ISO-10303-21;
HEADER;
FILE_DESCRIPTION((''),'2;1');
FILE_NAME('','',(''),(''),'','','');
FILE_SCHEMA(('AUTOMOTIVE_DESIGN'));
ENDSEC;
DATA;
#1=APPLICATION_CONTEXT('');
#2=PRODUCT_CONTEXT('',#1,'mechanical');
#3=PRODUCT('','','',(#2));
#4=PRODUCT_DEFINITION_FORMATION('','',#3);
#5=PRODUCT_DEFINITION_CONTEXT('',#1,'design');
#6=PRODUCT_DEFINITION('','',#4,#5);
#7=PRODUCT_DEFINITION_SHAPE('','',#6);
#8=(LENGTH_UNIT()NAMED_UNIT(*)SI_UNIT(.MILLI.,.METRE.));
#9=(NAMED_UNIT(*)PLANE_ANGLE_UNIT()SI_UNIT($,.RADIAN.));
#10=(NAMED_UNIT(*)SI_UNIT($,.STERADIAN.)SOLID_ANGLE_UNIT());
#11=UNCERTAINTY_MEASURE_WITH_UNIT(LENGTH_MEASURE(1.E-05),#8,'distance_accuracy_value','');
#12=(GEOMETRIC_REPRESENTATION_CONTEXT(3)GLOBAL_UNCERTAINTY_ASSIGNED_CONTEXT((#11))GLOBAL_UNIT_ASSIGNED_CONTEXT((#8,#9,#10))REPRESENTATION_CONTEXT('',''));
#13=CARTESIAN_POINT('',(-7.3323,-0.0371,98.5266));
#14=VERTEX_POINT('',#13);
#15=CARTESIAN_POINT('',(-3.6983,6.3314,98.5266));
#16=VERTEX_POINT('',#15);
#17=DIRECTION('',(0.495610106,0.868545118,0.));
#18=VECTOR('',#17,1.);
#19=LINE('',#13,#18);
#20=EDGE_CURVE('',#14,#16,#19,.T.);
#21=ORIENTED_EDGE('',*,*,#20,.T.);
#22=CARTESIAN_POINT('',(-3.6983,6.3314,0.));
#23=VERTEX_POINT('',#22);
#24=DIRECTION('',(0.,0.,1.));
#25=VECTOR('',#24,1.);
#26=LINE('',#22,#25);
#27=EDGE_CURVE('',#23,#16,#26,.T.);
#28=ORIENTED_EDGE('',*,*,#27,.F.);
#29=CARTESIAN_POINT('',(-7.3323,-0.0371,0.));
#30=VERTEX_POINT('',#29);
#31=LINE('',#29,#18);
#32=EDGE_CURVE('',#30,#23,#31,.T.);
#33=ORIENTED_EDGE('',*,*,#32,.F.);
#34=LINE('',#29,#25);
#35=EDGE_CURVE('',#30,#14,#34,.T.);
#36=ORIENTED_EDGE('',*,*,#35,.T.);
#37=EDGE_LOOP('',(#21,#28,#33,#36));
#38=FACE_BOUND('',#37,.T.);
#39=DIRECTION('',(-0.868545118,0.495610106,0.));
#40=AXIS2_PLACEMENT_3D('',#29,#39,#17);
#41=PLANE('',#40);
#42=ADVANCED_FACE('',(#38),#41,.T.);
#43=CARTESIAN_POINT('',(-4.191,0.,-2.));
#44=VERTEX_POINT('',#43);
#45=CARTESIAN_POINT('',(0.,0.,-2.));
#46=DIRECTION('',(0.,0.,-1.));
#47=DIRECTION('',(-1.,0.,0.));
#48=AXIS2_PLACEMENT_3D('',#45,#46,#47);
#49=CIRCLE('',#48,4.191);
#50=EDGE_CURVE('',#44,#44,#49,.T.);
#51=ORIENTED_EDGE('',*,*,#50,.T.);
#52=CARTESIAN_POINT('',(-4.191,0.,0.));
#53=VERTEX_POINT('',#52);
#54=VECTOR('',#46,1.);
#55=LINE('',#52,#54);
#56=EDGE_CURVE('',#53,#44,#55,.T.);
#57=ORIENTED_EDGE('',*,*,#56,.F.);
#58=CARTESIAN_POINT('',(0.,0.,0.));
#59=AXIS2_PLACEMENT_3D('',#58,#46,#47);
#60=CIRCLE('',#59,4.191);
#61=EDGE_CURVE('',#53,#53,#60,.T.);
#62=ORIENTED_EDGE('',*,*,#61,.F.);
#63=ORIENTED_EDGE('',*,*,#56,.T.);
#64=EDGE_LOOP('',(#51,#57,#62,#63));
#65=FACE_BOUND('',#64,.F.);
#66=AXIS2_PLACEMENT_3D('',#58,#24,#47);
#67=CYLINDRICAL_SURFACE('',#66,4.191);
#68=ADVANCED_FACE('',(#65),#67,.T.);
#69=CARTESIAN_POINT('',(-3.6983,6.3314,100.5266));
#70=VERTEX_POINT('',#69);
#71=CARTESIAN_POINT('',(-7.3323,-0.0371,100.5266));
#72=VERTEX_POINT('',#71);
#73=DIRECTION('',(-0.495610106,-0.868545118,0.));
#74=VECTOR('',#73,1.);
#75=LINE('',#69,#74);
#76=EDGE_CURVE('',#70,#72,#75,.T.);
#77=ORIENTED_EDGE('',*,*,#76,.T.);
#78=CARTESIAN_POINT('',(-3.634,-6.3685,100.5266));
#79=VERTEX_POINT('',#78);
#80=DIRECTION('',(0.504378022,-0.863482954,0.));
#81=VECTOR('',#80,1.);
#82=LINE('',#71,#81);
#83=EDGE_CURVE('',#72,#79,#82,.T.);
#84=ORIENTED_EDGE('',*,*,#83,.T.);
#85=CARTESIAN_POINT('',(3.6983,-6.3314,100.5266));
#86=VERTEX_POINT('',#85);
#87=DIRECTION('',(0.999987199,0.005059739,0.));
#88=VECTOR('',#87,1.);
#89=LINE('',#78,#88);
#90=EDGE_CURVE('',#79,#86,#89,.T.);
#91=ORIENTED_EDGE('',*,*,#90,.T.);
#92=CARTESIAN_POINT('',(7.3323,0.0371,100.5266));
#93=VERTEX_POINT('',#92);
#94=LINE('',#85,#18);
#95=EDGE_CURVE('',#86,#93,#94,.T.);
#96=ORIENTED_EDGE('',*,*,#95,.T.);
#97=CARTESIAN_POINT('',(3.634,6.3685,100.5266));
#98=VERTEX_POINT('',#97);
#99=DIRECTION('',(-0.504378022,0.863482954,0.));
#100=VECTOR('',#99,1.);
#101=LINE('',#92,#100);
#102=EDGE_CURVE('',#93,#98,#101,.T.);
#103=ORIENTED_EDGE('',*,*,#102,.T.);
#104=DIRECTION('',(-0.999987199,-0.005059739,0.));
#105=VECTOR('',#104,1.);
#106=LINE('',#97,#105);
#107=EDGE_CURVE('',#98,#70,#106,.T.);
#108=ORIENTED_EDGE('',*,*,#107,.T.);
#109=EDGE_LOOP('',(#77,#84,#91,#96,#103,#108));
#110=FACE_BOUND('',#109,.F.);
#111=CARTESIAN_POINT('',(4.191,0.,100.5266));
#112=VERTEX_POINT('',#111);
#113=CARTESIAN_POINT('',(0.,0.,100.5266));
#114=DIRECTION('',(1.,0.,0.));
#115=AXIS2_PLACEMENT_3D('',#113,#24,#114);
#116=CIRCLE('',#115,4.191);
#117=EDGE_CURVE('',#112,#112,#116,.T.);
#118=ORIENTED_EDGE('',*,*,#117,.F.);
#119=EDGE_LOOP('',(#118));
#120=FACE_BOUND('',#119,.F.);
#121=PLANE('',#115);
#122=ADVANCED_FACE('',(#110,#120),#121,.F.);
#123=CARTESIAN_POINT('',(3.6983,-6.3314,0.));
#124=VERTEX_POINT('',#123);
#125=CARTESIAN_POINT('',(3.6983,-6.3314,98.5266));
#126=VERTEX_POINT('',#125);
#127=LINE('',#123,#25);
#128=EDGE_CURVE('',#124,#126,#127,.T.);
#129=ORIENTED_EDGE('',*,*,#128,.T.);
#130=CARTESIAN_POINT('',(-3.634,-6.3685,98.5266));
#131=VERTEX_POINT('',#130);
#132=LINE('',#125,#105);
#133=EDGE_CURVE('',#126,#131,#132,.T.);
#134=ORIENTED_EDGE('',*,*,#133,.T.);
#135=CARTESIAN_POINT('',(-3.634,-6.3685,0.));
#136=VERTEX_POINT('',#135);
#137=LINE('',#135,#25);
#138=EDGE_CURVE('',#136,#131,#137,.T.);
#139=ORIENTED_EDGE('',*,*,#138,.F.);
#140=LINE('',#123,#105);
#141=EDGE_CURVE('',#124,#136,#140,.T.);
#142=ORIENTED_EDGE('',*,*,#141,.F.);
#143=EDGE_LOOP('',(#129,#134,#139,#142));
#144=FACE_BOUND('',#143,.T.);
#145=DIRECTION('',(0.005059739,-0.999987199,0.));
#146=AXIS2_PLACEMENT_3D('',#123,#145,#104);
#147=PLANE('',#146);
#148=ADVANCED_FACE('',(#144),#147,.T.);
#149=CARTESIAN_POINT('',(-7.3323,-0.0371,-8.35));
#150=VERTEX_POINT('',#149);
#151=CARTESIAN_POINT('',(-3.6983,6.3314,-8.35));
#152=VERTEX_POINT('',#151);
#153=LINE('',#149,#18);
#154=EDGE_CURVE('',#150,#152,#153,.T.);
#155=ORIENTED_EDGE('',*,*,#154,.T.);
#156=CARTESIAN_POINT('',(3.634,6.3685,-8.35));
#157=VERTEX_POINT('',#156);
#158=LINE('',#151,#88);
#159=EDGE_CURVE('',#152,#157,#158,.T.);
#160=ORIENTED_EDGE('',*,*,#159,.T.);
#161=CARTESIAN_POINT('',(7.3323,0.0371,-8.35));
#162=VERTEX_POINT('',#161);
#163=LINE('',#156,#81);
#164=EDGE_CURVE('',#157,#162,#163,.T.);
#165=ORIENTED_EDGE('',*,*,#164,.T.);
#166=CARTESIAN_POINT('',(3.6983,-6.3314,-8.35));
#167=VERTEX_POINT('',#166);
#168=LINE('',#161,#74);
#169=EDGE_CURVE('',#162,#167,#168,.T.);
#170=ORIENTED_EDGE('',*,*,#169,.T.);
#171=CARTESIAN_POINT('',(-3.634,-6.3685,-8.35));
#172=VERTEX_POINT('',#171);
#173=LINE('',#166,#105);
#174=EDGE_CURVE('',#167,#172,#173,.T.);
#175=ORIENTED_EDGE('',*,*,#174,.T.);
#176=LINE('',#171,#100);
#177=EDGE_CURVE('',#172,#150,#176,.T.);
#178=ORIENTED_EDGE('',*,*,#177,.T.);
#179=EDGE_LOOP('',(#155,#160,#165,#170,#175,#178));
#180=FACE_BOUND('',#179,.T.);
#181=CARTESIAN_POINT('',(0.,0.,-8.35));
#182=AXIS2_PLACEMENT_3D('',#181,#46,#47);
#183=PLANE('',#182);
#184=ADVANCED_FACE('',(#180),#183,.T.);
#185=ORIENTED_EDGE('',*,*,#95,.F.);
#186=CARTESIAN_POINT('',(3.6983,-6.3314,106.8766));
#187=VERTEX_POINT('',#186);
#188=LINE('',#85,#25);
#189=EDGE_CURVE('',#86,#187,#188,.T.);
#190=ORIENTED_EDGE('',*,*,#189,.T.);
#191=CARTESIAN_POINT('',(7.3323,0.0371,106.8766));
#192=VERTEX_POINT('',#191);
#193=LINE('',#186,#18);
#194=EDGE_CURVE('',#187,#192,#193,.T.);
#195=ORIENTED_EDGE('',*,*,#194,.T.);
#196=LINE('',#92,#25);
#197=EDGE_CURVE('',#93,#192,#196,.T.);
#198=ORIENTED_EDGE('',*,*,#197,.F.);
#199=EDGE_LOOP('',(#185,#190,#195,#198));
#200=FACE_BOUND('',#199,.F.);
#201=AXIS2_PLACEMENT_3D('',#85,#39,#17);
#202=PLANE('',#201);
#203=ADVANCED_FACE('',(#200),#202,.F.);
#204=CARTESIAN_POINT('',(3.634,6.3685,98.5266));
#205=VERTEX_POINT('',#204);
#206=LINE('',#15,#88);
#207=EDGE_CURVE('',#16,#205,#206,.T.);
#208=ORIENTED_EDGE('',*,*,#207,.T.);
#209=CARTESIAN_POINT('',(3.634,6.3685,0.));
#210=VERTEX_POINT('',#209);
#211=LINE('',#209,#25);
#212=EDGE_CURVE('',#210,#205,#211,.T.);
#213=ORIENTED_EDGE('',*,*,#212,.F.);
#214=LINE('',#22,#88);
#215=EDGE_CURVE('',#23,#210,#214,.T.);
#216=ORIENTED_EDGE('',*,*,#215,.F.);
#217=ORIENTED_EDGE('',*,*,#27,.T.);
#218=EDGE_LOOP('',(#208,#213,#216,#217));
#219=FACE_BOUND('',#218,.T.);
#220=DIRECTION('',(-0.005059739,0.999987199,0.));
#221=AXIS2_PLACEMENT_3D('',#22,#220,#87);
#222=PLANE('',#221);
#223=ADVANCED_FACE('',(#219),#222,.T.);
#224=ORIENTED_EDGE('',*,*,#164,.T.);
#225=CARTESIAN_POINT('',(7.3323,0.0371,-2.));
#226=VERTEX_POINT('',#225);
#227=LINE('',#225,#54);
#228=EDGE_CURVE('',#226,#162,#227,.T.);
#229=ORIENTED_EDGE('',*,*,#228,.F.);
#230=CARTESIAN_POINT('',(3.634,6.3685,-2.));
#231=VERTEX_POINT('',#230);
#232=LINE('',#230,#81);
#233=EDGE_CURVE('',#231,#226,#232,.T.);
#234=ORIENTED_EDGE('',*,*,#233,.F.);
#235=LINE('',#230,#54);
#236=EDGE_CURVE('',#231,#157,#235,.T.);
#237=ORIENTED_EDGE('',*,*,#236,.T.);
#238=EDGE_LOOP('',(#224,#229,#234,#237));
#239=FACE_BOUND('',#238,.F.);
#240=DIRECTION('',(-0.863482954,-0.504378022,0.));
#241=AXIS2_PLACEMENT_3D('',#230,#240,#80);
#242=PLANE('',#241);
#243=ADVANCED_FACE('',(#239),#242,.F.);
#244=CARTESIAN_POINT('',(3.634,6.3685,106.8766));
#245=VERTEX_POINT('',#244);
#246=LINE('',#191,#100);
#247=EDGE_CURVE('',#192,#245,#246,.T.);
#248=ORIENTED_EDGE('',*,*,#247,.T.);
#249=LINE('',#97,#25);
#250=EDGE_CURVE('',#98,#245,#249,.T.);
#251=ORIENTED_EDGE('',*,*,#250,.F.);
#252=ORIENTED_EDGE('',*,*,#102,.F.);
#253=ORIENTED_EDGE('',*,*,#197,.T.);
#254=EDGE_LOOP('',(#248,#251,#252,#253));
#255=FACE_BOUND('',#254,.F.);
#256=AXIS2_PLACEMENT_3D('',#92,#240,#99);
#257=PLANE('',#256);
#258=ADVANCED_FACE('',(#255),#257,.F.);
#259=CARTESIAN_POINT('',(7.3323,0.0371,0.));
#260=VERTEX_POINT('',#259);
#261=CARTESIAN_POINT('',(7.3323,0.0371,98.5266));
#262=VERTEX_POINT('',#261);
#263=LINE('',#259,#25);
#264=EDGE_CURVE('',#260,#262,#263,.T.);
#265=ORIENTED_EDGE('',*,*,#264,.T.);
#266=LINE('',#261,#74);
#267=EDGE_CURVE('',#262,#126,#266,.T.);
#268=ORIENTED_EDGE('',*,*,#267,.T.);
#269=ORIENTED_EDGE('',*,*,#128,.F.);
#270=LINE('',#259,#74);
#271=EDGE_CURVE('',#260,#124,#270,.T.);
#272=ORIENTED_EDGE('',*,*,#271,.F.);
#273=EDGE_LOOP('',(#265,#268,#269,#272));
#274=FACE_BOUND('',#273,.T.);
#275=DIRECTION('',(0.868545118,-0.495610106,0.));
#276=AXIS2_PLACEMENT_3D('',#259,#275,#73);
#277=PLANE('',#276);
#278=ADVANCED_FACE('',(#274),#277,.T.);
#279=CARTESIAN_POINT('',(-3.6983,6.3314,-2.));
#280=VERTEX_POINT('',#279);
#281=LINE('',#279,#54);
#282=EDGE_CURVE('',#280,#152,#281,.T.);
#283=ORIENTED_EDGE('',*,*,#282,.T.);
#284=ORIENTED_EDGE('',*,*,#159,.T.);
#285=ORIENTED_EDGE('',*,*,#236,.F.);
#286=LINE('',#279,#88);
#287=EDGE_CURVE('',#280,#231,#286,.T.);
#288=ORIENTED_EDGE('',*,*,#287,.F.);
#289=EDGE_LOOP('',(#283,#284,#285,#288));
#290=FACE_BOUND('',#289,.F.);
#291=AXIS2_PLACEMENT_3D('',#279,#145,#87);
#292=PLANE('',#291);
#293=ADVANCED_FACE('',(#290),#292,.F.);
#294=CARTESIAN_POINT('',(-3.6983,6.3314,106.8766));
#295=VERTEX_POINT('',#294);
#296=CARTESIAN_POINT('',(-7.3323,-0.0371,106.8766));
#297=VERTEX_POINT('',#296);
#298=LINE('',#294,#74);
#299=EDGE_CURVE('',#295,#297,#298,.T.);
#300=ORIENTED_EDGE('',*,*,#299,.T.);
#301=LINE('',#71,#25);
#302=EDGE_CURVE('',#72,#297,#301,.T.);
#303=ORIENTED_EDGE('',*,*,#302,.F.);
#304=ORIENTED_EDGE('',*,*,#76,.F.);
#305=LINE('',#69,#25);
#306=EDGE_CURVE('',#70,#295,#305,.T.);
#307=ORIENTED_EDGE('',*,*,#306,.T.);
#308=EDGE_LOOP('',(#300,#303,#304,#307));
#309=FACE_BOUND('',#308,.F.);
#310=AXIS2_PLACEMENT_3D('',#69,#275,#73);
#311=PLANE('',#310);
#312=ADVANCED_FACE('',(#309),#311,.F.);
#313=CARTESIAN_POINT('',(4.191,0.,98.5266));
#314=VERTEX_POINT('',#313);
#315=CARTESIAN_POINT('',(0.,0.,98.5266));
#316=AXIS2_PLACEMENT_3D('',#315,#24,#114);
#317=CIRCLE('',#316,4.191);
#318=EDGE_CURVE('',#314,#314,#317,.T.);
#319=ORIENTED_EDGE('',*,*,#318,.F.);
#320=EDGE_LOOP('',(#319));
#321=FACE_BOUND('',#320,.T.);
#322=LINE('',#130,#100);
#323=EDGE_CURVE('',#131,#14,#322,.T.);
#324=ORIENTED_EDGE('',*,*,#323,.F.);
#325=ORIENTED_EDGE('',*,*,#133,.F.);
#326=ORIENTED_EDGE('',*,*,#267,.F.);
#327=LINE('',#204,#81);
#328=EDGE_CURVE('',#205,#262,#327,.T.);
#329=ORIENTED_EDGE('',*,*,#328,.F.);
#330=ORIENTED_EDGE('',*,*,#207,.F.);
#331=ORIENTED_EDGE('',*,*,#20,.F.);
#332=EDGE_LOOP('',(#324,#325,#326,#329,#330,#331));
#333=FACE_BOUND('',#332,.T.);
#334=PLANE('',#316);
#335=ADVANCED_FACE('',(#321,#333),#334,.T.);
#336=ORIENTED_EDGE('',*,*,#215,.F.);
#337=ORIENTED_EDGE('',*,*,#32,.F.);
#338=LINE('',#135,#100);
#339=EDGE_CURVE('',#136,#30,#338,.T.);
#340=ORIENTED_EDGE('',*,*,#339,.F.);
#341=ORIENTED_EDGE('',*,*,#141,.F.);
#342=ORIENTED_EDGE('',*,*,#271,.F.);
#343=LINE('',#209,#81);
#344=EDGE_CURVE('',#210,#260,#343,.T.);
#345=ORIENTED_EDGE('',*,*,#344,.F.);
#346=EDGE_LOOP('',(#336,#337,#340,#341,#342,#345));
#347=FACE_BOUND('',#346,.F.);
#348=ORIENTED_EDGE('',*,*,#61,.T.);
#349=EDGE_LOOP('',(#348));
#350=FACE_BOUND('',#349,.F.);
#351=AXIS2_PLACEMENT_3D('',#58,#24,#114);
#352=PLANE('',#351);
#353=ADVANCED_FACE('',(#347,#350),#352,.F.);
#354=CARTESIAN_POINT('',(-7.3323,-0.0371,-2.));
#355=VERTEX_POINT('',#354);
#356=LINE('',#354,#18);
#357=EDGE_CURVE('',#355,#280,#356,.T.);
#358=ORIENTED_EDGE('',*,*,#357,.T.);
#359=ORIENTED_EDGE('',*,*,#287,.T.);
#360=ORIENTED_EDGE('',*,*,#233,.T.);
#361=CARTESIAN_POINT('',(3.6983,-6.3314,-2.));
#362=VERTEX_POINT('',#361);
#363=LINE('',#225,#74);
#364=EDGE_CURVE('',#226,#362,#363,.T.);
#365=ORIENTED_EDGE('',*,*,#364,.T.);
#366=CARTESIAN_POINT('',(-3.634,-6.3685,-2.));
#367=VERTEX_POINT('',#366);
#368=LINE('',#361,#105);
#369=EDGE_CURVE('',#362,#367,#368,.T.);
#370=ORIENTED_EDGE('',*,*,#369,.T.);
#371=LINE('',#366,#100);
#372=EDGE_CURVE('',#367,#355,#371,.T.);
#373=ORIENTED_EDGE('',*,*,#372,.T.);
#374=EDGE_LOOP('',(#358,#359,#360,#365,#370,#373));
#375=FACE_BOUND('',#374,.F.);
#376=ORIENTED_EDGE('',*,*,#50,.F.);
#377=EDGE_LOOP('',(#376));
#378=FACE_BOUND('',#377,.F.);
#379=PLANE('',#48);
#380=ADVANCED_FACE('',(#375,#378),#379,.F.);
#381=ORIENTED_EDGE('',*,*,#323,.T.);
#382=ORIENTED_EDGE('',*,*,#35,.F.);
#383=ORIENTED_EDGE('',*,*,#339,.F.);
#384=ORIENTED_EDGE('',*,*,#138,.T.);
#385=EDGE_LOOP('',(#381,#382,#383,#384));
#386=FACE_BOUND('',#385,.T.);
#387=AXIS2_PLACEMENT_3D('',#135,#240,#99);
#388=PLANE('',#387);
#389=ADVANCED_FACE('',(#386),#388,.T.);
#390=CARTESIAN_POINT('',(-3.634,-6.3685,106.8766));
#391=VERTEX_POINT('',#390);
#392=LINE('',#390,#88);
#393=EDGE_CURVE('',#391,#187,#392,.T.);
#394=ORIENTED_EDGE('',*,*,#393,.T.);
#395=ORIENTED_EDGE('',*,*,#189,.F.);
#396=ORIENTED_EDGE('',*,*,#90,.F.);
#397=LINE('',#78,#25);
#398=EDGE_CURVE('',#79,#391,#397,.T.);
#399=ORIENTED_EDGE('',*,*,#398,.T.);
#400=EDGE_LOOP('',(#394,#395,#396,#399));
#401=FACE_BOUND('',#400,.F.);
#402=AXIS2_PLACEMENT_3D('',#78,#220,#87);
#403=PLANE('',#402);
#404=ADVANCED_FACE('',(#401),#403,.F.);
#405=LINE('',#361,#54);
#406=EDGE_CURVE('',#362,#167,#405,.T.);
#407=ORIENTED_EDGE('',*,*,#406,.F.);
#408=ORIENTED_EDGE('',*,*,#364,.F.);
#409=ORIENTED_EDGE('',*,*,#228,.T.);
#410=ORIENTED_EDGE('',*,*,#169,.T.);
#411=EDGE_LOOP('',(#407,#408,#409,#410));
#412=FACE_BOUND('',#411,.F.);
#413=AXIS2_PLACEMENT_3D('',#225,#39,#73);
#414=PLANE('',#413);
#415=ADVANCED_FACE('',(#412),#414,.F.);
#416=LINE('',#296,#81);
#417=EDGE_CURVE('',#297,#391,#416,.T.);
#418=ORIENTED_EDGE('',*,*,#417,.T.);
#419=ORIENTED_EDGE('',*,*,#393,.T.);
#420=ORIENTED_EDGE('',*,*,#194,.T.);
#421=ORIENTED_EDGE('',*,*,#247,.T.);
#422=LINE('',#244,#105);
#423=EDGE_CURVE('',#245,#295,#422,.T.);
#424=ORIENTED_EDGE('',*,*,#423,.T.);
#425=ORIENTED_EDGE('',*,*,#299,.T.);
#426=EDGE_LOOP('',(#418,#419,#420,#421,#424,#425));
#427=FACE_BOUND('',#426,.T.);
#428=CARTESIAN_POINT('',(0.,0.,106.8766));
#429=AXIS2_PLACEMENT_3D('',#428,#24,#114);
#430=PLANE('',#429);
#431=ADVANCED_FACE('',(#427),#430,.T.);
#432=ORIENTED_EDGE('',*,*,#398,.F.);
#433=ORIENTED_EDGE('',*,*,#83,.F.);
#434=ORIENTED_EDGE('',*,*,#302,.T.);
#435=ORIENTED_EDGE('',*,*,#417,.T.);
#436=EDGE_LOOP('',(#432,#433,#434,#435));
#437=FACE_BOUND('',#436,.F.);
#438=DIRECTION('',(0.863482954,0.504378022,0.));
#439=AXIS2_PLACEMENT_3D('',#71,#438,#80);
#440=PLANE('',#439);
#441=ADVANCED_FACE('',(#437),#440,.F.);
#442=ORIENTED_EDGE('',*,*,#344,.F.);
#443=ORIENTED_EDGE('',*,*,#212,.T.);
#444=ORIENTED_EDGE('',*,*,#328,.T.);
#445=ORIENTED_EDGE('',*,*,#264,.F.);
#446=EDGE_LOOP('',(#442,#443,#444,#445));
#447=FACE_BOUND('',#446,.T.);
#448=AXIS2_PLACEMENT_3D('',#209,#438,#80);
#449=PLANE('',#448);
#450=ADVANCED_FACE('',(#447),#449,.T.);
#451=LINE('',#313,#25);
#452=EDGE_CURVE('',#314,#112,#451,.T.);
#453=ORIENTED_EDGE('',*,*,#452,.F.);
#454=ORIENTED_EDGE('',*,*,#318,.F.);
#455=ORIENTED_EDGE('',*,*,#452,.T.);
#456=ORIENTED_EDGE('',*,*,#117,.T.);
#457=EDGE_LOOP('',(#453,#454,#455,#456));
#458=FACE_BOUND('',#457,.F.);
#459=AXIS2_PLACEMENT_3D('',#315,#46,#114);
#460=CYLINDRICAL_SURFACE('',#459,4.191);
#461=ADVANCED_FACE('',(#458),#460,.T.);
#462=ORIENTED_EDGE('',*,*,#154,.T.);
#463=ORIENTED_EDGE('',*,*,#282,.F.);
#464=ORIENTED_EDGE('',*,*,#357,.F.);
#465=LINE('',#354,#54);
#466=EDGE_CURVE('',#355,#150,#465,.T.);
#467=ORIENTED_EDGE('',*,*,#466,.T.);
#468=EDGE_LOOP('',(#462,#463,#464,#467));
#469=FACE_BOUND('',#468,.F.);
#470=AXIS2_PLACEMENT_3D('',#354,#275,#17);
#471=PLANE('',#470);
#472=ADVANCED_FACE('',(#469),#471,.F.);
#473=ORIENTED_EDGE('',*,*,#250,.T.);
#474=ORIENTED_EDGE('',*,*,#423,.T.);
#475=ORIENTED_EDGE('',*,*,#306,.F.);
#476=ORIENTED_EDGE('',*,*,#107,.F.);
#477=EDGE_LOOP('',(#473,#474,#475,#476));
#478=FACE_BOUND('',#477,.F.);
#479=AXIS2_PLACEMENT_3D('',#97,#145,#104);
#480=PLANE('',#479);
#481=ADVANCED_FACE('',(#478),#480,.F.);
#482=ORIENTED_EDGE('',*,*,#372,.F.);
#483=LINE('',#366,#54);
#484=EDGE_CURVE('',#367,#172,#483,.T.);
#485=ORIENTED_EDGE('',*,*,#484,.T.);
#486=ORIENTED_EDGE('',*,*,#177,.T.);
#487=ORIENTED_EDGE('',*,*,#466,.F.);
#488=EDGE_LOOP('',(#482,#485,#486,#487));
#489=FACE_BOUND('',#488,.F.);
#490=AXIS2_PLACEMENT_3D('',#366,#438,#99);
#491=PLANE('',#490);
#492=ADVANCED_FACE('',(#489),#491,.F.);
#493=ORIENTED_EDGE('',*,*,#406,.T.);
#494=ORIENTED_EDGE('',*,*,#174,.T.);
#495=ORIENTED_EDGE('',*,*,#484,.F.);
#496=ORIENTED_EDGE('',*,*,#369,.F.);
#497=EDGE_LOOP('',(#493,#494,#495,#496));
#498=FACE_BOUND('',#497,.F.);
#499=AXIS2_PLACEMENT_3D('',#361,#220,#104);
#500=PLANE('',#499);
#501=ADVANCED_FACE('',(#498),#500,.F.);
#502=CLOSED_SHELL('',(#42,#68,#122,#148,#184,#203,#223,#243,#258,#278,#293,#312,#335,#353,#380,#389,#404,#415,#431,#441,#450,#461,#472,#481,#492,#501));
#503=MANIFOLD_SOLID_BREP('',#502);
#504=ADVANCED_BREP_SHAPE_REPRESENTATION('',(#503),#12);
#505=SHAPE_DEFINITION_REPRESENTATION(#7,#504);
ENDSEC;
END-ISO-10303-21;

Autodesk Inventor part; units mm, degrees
ref_plane "YZ Plane" through (0, 0, 0) normal (1, 0, 0) x (0, 1, 0)
ref_plane "XZ Plane" through (0, 0, 0) normal (0, 1, 0) x (-1, 0, 0)
ref_plane "XY Plane" through (0, 0, 0) normal (0, 0, 1) x (1, 0, 0)
sketch "Sketch1" plane through (0, 0, 0) normal (0, 0, 1) x (1, 0, 0)
  line L0 (3.634, 6.3685) -> (7.3323, 0.0371)
  line L1 (7.3323, 0.0371) -> (3.6983, -6.3314)
  line L2 (3.6983, -6.3314) -> (-3.634, -6.3685)
  line L3 (-3.634, -6.3685) -> (-7.3323, -0.0371)
  line L4 (-7.3323, -0.0371) -> (-3.6983, 6.3314)
  line L5 (-3.6983, 6.3314) -> (3.634, 6.3685)
  point P0 (0, 0)
  point P1 (0, 0)
  dimension "d0" = 12.7
extrude "Extrusion1" add sketch "Sketch1" along normal blind 98.5266
sketch "Sketch2" plane through (0, 0, 98.5266) normal (0, 0, 1) x (1, 0, 0)
  circle A0 centre (0, 0) radius 4.191
  dimension "d3" = 8.382
extrude "Extrusion2" add sketch "Sketch2" along normal blind 2
sketch "Sketch3" plane through (0, 0, 0) normal (0, 0, -1) x (-1, 0, 0)
  circle A0 centre (0, 0) radius 4.191
  dimension "d6" = 8.382
extrude "Extrusion3" add sketch "Sketch3" along normal blind 2
sketch "Sketch4" plane through (0, 0, 100.5266) normal (0, 0, 1) x (1, 0, 0)
  circle A0 centre (0, 0) radius 4.191 construction
  line L0 (7.3323, 0.0371) -> (3.634, 6.3685) projected
  line L1 (3.634, 6.3685) -> (-3.6983, 6.3314) projected
  line L2 (-3.6983, 6.3314) -> (-7.3323, -0.0371) projected
  line L3 (-7.3323, -0.0371) -> (-3.634, -6.3685) projected
  line L4 (-3.634, -6.3685) -> (3.6983, -6.3314) projected
  line L5 (3.6983, -6.3314) -> (7.3323, 0.0371) projected
extrude "Extrusion4" add sketch "Sketch4" along normal blind 6.35
sketch "Sketch5" plane through (0, 0, -2) normal (0, 0, -1) x (-1, 0, 0)
  circle A0 centre (0, 0) radius 4.191 construction
  line L0 (-3.634, 6.3685) -> (-7.3323, 0.0371) projected
  line L1 (-7.3323, 0.0371) -> (-3.6983, -6.3314) projected
  line L2 (-3.6983, -6.3314) -> (3.634, -6.3685) projected
  line L3 (3.634, -6.3685) -> (7.3323, -0.0371) projected
  line L4 (7.3323, -0.0371) -> (3.6983, 6.3314) projected
  line L5 (3.6983, 6.3314) -> (-3.634, 6.3685) projected
extrude "Extrusion5" add sketch "Sketch5" along normal blind 6.35
properties part number "Shafts"
